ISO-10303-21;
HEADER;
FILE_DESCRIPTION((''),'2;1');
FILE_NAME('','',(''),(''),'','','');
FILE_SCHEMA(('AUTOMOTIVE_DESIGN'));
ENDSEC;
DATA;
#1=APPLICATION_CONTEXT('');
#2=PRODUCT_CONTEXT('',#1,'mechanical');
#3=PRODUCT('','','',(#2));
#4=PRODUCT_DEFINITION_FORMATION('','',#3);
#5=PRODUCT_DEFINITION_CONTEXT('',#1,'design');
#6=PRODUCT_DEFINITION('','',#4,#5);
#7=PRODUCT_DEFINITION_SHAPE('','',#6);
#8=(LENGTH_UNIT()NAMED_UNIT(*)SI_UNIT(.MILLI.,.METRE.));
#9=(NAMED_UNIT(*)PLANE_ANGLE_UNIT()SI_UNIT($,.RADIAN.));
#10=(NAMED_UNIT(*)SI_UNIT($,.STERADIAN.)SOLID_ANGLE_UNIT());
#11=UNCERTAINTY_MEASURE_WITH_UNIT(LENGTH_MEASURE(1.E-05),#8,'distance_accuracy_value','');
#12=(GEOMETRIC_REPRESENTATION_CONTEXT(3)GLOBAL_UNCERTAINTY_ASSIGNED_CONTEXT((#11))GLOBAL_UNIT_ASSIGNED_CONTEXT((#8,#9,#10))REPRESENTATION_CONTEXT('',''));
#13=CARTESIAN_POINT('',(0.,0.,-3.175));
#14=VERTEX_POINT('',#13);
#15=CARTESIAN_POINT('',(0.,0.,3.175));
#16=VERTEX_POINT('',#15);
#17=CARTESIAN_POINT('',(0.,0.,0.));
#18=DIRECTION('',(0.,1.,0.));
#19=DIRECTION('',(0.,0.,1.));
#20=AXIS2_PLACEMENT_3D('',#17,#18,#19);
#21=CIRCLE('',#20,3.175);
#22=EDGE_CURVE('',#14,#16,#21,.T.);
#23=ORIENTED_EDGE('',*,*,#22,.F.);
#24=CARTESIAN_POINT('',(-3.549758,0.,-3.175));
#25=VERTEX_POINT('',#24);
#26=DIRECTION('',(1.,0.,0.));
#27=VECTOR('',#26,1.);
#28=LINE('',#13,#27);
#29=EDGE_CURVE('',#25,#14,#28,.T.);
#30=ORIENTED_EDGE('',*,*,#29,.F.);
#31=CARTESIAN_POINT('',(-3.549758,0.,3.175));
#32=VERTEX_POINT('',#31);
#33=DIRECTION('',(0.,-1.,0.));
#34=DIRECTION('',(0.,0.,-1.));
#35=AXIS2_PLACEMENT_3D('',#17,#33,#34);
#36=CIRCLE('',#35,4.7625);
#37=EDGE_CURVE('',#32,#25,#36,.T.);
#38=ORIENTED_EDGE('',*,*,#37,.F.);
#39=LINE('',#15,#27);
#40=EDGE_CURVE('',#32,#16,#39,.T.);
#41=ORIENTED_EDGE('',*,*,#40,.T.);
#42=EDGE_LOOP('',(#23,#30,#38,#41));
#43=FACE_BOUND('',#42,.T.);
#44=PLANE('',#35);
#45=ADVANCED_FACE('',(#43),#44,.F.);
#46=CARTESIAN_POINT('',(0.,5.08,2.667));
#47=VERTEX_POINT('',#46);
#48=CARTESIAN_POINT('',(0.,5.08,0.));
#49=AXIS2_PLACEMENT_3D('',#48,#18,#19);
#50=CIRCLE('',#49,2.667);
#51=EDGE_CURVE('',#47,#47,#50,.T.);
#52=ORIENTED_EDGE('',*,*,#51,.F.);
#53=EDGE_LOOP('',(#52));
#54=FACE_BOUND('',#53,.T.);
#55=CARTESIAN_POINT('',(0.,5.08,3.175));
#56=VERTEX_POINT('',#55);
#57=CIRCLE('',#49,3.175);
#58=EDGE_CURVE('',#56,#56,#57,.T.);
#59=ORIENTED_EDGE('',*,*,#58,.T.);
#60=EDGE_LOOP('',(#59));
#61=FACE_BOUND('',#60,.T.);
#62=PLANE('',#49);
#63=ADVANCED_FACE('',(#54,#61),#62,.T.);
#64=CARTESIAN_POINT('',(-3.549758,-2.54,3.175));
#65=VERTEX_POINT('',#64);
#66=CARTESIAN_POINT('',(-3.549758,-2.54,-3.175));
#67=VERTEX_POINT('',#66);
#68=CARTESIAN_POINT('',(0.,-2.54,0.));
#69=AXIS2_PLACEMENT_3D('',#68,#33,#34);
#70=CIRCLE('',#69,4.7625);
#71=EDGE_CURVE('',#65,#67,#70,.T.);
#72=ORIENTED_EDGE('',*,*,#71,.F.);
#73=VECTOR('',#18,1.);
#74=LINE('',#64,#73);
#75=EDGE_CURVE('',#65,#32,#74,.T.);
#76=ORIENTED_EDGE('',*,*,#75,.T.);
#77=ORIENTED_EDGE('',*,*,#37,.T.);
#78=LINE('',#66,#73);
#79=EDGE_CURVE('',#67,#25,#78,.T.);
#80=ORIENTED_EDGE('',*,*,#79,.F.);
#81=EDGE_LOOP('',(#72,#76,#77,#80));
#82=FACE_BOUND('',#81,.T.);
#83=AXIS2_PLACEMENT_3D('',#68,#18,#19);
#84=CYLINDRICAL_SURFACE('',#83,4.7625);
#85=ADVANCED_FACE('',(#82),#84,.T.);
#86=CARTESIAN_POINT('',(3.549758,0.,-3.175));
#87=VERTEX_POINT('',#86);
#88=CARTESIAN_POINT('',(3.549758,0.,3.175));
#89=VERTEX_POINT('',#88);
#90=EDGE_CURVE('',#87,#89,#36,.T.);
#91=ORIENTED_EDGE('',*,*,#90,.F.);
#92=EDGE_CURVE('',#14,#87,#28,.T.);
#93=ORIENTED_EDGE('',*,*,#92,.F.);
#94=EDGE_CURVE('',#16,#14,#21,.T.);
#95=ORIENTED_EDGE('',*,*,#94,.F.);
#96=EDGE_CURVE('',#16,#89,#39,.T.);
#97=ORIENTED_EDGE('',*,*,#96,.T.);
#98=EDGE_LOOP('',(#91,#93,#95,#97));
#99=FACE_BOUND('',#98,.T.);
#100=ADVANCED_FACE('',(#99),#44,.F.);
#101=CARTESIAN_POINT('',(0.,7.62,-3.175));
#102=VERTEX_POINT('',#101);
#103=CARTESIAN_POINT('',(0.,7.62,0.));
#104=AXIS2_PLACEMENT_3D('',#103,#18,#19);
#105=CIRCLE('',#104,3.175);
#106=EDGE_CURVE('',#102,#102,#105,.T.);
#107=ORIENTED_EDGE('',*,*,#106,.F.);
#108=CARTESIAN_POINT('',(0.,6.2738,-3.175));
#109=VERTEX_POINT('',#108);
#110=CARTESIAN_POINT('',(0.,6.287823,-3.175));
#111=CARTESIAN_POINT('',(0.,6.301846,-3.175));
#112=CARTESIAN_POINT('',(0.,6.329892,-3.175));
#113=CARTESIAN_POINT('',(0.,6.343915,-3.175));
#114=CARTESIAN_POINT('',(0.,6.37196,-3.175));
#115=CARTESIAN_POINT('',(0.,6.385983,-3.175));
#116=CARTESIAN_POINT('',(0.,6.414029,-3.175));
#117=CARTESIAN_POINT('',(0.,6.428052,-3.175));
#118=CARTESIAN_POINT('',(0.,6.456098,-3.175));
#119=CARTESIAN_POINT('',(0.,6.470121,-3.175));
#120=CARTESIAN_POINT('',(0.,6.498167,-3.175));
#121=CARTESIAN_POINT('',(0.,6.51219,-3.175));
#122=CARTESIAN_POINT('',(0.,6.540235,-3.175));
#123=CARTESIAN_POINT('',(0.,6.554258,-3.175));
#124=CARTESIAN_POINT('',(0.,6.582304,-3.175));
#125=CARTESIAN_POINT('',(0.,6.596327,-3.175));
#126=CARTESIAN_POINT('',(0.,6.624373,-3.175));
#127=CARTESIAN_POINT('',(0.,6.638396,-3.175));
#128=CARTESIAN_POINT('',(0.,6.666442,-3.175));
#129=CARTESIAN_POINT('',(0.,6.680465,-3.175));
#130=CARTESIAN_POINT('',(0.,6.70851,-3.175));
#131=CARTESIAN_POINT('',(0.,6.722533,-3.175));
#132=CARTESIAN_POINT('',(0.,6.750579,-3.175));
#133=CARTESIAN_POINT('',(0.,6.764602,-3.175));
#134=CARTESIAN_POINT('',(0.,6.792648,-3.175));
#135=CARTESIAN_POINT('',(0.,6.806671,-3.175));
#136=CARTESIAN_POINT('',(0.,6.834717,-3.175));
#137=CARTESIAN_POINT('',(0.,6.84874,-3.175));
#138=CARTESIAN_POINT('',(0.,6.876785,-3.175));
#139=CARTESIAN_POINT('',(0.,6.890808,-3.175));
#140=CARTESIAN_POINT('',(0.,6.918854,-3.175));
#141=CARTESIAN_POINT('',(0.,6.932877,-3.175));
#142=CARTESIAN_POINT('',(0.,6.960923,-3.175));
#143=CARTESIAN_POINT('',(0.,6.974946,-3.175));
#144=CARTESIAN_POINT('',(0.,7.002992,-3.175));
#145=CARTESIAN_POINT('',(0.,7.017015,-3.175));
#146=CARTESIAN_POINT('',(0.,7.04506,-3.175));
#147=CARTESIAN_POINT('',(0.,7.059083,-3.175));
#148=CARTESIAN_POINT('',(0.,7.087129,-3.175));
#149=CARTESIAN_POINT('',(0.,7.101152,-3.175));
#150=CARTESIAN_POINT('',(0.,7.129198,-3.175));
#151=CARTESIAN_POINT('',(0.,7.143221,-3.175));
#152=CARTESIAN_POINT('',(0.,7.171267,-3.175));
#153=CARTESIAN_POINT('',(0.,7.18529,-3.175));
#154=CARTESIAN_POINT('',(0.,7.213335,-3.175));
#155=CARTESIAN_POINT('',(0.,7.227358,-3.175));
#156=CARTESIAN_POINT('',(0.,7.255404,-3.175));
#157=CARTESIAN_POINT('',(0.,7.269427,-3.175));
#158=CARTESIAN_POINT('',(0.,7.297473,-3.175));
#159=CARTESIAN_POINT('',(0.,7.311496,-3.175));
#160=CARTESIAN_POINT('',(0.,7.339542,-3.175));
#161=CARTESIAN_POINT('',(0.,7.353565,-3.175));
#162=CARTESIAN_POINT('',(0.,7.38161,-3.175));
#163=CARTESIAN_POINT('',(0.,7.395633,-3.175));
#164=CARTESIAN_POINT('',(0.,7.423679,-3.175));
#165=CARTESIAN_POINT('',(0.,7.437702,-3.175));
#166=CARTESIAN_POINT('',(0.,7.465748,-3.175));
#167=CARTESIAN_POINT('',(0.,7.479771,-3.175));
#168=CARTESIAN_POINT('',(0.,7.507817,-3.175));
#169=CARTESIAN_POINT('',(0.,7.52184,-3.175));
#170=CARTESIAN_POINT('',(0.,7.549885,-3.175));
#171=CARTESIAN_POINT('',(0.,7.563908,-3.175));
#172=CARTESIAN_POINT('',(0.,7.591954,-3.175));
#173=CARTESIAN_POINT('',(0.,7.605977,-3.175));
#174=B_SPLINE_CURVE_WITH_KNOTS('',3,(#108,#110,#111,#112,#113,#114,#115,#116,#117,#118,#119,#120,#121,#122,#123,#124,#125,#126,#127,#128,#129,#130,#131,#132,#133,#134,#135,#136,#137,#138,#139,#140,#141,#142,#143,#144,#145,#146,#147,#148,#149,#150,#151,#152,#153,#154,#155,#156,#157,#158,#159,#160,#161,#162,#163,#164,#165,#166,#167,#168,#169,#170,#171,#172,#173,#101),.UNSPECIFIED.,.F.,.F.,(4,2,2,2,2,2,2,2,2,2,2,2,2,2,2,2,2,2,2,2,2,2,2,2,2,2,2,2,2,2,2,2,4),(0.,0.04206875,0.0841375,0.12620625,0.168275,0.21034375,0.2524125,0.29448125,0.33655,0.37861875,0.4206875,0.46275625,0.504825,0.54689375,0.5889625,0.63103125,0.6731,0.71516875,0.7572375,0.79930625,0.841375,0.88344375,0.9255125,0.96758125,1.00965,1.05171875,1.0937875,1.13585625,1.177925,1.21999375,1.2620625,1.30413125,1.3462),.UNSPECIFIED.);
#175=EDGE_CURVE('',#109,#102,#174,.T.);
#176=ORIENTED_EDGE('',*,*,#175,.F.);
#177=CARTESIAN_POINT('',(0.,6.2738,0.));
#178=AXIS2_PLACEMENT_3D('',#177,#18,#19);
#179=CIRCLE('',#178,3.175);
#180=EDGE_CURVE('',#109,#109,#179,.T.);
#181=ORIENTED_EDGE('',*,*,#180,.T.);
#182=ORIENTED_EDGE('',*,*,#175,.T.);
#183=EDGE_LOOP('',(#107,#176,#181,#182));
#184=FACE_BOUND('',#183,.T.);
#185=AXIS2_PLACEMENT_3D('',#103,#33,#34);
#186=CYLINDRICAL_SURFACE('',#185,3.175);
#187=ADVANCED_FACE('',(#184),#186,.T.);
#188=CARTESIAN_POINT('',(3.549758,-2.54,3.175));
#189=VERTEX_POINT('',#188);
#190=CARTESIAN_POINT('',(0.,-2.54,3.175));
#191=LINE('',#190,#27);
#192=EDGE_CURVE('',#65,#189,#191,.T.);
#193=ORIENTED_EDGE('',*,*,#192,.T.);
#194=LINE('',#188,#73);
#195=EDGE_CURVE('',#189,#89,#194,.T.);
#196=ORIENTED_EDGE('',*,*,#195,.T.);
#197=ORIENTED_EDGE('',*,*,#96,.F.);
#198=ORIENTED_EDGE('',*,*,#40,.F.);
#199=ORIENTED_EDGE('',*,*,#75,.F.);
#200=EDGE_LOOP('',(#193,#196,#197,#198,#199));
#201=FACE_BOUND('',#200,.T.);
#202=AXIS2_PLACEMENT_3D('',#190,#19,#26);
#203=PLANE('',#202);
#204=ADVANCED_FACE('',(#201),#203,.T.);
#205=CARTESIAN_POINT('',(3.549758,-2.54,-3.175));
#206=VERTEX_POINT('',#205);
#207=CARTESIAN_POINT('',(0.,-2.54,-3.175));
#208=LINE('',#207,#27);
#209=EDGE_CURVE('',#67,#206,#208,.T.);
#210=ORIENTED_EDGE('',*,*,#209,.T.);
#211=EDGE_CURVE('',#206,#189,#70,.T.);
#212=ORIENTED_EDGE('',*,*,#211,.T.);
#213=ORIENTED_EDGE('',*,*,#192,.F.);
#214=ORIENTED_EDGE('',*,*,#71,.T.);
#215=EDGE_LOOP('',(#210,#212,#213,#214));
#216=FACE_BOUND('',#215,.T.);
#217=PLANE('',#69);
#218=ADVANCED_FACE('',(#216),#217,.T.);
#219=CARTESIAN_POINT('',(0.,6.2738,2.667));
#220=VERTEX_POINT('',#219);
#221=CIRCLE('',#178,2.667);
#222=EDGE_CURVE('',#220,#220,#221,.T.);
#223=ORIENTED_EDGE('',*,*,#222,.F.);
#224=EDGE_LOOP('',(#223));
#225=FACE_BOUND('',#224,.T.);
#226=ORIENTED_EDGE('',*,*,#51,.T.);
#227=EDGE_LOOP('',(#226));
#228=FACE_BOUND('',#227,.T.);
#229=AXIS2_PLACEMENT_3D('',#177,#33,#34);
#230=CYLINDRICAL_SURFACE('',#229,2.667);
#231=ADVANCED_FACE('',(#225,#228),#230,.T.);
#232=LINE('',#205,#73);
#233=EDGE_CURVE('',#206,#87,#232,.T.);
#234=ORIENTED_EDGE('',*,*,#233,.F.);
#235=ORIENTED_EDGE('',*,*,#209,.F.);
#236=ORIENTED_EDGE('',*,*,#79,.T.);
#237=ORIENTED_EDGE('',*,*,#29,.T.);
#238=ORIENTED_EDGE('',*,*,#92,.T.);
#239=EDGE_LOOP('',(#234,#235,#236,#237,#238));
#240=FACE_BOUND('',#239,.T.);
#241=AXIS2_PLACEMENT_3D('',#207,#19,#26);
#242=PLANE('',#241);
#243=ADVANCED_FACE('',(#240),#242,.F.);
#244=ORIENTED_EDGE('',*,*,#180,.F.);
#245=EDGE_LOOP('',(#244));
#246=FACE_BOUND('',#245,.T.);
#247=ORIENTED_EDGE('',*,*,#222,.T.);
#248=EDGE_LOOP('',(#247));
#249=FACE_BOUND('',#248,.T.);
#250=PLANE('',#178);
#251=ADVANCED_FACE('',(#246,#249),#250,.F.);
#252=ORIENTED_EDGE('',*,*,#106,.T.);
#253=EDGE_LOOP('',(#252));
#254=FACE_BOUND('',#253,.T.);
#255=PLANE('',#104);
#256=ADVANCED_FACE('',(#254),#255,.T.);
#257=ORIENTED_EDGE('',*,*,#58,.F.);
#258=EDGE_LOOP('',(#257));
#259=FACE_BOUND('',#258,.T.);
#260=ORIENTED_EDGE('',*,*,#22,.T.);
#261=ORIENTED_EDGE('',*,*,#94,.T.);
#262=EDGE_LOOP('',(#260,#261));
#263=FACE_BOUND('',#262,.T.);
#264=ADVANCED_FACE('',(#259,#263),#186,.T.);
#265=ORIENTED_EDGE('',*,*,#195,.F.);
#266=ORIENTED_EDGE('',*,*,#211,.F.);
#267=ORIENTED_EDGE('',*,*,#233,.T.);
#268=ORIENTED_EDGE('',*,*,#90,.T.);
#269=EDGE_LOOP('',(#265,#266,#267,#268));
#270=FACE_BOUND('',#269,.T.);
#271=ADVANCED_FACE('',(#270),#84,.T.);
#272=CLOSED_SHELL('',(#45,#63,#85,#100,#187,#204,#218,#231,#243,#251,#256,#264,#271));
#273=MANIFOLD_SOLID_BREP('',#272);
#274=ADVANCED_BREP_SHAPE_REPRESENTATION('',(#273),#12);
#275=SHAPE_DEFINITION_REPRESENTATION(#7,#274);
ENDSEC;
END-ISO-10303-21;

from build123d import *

# Parameters (mm, degrees)
SKETCH1_R           = 3.175
BOSS_EXTRUDE1_DEPTH = 7.62
BOSS_EXTRUDE2_DEPTH = 2.54
SKETCH6_OUTSIDE_W   = 14.587
SKETCH6_OUTSIDE_H   = 11.412
SKETCH6_OUTSIDE_R   = 2.667
CUT_EXTRUDE1_DEPTH  = 1.1938


with BuildPart() as part:
    # Sketch1 → Boss-Extrude1 (new body)
    with BuildSketch(Plane(origin=(0, 0, 0), x_dir=(1, 0, 0), z_dir=(0, 1, 0))):
        with Locations(Location((0, 0, 0), (0, 0, 90))):
            Circle(SKETCH1_R)
    extrude(amount=BOSS_EXTRUDE1_DEPTH)

    # Sketch2 → Boss-Extrude2 (add)
    with BuildSketch(Plane.XZ):
        with BuildLine():
            Line((-3.549757914, 3.175), (3.549757914, 3.175))
            ThreePointArc((3.549757914, 3.175), (4.7625, 0), (3.549757914, -3.175))
            Line((3.549757914, -3.175), (-3.549757914, -3.175))
            ThreePointArc((-3.549757914, -3.175), (-4.7625, 0), (-3.549757914, 3.175))
        make_face()
    extrude(amount=BOSS_EXTRUDE2_DEPTH)

    # Sketch6 outside → Cut-Extrude1 (cut)
    with BuildSketch(Plane(origin=(0, 5.08, 0), x_dir=(1, 0, 0), z_dir=(0, 1, 0))):
        with Locations((0.0005, 0)):
            Rectangle(SKETCH6_OUTSIDE_W, SKETCH6_OUTSIDE_H)
        with Locations(Location((0, 0, 0), (0, 0, 270))):
            Circle(SKETCH6_OUTSIDE_R, mode=Mode.SUBTRACT)
    extrude(amount=CUT_EXTRUDE1_DEPTH, mode=Mode.SUBTRACT)


solid = part.part
